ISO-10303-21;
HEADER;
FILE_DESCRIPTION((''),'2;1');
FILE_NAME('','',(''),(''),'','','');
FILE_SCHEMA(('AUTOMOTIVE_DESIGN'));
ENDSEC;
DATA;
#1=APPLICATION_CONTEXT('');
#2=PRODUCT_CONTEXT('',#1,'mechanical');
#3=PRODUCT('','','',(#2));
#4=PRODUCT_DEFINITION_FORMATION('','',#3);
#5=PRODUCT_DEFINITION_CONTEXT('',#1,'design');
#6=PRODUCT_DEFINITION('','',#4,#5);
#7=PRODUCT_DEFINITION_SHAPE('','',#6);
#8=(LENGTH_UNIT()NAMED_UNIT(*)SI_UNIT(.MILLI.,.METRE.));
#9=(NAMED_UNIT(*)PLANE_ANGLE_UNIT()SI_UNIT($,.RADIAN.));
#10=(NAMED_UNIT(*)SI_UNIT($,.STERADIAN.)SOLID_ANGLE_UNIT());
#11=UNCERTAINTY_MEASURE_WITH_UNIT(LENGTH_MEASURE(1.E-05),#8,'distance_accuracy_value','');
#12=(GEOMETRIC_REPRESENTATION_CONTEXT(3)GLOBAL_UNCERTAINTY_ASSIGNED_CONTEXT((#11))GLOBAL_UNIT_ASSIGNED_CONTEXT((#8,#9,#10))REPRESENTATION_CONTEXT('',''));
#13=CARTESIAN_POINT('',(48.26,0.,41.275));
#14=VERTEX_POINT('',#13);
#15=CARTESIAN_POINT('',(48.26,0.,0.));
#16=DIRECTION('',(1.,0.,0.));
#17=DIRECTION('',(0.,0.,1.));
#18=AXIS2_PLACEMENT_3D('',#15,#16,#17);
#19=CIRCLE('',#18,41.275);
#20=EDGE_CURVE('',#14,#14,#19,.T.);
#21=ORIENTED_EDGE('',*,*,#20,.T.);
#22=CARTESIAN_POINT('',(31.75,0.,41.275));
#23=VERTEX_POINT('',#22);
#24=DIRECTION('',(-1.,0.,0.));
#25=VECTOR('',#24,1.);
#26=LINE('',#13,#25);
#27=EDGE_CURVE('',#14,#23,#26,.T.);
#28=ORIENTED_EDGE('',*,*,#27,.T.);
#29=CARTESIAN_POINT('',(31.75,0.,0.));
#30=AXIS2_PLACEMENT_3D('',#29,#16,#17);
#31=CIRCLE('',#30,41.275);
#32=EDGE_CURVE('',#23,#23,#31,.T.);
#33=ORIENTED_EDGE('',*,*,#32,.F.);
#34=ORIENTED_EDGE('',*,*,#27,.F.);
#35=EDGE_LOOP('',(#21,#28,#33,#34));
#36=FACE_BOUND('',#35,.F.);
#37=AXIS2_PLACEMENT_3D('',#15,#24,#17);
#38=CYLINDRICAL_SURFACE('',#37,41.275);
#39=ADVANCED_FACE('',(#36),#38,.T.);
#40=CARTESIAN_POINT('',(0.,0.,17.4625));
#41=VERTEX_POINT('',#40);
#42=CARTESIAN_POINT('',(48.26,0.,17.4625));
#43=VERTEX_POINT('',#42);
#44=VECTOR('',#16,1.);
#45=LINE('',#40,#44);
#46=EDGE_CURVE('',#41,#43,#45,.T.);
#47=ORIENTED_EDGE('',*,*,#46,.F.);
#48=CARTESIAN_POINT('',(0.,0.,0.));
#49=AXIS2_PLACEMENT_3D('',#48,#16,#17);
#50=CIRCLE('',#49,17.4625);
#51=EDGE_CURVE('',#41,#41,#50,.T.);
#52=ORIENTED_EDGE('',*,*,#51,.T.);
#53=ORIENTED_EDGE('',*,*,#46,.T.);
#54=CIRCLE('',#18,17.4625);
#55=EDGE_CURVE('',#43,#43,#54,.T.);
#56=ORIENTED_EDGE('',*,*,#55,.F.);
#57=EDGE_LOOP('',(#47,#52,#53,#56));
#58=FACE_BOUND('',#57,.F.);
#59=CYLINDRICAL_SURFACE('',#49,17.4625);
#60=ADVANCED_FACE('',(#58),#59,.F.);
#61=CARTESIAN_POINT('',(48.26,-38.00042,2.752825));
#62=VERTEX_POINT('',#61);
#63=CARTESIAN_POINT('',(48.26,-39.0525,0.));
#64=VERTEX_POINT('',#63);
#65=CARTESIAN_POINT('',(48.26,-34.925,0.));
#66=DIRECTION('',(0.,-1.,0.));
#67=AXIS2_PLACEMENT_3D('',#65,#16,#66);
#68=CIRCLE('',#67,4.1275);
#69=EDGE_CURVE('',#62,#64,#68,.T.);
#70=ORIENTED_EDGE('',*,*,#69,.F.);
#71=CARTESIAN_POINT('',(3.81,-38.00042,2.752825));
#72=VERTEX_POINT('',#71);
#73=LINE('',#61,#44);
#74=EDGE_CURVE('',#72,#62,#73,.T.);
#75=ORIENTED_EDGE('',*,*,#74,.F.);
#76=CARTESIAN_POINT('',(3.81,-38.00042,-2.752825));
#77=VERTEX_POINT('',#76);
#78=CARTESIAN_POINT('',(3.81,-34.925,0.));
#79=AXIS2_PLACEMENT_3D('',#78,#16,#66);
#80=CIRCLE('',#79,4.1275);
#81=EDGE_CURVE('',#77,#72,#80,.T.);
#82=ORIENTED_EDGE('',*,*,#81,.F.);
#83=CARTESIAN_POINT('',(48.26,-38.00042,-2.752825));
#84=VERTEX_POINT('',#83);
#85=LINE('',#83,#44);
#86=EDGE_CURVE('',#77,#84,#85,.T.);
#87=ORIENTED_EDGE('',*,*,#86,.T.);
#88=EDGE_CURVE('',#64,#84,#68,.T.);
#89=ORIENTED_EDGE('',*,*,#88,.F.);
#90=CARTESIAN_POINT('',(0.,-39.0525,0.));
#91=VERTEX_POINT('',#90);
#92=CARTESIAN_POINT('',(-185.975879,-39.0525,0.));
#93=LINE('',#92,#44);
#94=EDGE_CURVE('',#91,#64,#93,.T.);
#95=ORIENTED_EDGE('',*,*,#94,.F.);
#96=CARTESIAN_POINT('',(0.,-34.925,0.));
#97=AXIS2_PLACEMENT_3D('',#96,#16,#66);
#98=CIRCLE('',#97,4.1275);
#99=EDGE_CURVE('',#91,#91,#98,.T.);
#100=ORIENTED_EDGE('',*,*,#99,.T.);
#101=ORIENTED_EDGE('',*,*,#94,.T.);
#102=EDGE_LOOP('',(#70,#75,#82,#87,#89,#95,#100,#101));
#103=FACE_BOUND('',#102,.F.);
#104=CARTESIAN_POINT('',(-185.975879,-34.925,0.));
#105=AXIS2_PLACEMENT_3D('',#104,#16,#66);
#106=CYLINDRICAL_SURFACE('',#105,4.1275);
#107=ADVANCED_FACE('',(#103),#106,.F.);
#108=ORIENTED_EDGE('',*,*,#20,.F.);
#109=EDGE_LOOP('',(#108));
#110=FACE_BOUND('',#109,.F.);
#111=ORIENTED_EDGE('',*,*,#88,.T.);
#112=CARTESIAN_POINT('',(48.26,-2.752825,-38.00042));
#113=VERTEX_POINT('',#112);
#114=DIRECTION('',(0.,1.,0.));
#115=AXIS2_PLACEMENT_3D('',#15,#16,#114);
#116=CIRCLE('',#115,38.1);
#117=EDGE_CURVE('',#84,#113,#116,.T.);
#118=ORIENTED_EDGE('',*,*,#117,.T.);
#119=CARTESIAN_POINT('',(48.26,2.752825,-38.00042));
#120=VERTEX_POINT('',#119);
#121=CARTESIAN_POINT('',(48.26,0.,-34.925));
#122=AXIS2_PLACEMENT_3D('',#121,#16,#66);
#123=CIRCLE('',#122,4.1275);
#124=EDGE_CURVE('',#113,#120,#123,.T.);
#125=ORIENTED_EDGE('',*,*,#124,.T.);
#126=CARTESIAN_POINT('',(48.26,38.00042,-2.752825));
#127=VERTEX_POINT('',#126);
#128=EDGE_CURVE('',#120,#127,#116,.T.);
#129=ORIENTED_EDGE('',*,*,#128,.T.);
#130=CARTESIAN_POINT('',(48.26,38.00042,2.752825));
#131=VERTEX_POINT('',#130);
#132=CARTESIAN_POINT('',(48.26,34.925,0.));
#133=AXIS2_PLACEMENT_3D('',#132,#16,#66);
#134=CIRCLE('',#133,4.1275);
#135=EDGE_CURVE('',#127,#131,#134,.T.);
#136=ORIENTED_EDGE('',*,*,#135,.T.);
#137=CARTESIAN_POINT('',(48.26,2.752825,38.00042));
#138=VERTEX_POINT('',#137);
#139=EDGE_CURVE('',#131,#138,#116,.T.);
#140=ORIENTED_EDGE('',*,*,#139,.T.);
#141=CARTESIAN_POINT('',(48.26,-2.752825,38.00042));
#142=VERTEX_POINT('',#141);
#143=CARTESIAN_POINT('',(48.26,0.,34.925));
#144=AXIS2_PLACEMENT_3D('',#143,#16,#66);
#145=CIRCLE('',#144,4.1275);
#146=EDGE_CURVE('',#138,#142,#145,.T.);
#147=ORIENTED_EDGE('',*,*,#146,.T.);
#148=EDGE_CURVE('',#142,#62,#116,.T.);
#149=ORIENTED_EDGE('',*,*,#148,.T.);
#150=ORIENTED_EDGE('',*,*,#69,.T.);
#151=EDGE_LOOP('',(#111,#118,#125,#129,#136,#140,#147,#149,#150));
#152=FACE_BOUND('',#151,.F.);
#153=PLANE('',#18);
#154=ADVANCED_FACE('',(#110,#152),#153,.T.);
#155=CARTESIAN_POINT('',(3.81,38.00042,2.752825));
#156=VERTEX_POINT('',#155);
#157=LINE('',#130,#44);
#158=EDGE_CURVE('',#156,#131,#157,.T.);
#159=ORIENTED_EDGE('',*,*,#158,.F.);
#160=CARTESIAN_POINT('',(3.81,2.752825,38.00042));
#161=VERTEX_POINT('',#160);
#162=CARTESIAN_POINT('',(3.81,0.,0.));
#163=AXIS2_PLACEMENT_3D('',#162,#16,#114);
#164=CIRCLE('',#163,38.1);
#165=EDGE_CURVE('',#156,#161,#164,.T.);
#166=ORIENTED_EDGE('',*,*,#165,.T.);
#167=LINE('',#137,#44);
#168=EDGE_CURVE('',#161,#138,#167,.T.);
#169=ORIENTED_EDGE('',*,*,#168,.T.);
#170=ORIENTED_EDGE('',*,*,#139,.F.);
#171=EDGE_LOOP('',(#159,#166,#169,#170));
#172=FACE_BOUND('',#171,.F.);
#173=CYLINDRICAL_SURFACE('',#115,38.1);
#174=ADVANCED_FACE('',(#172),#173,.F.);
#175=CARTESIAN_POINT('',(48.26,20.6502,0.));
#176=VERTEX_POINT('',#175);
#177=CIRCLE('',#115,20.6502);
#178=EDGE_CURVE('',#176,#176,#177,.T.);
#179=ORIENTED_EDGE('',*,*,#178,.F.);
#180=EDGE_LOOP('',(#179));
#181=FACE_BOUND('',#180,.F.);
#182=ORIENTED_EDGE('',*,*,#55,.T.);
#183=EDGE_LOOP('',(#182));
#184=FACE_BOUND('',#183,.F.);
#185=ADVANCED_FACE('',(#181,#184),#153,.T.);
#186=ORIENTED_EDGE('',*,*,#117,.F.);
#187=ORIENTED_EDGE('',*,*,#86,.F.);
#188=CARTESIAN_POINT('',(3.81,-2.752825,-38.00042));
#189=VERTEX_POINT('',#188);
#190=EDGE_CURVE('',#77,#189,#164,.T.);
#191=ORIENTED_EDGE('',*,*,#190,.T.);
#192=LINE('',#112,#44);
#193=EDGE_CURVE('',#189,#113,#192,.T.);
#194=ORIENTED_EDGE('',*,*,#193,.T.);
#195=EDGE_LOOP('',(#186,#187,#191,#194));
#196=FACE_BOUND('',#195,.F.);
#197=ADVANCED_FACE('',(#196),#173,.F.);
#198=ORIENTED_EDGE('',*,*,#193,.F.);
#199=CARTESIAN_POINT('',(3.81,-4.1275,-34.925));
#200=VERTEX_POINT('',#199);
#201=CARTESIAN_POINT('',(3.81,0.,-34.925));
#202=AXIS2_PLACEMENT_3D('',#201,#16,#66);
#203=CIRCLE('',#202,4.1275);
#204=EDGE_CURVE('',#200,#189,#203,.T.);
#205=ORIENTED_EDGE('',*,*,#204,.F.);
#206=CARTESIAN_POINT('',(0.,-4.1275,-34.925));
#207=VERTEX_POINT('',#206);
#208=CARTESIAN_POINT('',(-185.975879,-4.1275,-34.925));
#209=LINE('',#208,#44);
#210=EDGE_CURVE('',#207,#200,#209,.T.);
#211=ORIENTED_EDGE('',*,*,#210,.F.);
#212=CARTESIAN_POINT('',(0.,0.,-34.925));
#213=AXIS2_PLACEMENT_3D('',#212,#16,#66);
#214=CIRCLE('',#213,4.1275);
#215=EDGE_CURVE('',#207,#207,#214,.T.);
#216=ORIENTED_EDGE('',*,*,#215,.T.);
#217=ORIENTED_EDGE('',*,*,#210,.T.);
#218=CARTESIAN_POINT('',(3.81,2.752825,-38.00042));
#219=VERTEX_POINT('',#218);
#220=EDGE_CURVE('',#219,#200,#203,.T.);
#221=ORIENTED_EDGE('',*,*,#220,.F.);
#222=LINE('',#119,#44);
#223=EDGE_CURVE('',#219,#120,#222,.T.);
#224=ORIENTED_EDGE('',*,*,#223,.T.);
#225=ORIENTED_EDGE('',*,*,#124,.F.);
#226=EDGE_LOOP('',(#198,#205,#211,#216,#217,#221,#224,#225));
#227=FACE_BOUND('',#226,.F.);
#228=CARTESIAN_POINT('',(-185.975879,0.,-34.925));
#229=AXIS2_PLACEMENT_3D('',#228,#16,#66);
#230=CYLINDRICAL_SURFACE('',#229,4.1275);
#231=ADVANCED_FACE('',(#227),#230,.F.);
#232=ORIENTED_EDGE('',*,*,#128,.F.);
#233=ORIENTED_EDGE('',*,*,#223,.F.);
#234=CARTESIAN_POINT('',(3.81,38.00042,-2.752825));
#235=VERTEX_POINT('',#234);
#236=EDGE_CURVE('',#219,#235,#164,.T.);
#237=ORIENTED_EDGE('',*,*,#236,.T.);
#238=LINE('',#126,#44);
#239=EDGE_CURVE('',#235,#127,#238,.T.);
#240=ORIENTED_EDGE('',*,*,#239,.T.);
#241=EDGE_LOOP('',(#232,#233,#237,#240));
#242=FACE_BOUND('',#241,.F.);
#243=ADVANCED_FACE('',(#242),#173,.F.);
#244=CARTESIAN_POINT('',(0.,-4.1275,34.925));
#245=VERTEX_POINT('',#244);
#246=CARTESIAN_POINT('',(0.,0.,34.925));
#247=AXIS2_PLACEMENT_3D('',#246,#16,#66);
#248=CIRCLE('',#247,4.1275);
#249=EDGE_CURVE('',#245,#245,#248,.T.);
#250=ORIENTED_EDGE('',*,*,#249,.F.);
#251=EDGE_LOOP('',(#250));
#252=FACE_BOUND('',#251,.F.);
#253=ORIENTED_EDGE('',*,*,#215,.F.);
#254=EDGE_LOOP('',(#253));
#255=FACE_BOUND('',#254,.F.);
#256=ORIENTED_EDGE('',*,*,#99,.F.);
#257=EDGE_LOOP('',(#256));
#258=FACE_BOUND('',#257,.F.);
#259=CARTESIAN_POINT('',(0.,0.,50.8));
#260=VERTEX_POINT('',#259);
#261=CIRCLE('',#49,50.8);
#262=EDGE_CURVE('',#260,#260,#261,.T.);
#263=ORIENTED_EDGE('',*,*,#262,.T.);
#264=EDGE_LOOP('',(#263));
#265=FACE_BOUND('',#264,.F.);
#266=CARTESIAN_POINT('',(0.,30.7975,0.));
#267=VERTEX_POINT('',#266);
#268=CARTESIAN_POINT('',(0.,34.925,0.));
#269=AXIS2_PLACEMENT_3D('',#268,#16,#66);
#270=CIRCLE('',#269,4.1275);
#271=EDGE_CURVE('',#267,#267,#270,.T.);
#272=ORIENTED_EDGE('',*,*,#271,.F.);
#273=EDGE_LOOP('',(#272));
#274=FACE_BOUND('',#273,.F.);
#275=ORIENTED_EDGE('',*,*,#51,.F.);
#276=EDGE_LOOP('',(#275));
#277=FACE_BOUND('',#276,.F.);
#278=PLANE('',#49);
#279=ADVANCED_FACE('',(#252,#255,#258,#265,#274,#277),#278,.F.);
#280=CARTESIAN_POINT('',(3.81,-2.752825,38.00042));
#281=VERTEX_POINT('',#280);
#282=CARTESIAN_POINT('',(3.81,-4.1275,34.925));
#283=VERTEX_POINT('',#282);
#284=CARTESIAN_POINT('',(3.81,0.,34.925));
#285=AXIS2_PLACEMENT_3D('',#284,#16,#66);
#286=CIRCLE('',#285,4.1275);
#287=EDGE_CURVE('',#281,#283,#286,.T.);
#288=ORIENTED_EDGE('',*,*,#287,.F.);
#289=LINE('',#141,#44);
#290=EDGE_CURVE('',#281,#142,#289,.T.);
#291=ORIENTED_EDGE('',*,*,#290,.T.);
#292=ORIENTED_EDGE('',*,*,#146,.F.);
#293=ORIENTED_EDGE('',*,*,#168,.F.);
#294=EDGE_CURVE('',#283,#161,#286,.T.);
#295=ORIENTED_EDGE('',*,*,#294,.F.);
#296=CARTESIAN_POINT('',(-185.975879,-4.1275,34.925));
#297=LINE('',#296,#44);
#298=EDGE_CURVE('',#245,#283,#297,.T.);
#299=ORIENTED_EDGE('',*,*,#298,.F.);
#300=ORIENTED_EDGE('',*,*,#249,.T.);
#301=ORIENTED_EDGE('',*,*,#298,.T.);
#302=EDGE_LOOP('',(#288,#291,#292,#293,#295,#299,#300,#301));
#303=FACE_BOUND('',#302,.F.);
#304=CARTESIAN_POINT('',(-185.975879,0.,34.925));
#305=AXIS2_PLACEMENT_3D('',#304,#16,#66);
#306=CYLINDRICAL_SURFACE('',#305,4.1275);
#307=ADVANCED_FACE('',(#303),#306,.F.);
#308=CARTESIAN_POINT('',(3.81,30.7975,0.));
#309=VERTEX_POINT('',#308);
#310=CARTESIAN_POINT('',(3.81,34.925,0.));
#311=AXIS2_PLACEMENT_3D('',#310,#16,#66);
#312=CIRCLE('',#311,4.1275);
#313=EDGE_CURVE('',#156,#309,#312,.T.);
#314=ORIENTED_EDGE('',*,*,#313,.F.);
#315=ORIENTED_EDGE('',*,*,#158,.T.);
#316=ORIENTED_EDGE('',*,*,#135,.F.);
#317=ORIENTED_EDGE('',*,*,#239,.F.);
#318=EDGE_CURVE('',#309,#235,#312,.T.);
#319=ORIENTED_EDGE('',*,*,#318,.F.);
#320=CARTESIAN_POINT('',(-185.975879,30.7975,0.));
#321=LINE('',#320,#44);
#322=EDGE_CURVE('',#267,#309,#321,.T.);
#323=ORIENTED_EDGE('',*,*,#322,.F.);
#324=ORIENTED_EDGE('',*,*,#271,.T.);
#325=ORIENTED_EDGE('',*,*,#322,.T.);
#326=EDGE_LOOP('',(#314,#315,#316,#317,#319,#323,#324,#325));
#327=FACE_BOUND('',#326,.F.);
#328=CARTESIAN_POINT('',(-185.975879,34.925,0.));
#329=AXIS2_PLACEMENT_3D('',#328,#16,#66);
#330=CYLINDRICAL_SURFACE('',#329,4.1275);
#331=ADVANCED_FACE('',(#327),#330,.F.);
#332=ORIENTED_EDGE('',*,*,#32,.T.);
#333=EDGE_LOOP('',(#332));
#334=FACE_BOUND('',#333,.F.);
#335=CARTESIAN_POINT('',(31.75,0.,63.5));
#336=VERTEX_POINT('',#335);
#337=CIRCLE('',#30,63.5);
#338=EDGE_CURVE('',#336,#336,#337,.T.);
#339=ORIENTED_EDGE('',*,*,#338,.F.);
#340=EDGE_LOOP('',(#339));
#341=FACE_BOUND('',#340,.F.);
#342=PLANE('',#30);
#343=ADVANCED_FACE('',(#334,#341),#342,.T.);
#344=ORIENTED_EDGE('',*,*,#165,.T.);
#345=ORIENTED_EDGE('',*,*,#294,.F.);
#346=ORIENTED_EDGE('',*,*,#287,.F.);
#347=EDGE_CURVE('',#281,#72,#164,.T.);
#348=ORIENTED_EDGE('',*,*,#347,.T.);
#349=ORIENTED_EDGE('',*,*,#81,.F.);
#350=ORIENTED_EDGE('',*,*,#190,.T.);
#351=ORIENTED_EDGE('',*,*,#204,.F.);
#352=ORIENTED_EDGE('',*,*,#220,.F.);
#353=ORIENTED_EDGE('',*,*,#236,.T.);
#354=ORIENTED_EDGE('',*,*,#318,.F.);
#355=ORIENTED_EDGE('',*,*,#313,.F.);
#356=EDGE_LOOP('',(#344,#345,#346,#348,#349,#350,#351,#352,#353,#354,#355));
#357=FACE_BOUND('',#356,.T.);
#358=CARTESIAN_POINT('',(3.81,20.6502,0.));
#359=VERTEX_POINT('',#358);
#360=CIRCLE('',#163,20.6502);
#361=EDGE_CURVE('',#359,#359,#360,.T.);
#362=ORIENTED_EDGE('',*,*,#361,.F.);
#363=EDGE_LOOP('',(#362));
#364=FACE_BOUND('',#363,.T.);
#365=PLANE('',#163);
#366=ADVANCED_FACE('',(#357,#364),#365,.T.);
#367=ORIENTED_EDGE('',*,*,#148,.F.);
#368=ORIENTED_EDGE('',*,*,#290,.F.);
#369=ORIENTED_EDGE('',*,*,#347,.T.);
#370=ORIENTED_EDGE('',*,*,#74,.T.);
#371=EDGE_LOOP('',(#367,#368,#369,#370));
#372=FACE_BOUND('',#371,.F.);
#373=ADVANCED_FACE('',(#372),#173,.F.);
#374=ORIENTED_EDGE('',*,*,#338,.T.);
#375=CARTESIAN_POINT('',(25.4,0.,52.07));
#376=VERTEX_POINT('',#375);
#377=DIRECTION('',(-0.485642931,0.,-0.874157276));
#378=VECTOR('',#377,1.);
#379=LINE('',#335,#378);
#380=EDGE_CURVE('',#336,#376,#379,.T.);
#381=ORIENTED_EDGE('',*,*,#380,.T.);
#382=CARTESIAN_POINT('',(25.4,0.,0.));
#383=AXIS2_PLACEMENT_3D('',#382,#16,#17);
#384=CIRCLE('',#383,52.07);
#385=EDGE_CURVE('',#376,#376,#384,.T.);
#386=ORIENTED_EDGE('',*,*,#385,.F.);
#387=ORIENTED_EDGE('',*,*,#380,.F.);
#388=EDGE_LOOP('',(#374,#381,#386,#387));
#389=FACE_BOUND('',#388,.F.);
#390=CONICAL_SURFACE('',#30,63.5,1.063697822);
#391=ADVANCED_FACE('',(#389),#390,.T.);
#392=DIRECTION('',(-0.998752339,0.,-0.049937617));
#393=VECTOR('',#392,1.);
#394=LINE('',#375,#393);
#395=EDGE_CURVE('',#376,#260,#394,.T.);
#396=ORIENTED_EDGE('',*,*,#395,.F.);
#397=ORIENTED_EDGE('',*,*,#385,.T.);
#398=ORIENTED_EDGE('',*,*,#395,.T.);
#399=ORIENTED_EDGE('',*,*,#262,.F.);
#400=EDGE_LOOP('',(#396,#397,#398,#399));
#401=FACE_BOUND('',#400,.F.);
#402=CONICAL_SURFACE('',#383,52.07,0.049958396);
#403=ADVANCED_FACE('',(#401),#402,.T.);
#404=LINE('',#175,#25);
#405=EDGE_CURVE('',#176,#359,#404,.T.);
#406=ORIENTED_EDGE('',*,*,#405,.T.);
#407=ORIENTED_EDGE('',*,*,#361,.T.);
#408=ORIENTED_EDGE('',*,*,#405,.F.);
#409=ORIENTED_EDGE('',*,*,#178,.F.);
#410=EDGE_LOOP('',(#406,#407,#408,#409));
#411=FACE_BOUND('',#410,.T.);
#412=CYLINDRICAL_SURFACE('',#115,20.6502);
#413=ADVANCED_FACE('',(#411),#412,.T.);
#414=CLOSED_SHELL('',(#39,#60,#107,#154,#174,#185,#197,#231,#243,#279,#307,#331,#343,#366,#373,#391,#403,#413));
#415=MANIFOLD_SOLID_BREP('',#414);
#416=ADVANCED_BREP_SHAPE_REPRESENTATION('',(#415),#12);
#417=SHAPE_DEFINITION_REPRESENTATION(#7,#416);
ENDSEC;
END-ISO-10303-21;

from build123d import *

# Parameters (mm, degrees)
F2_R     = 38.1
F2_R_2   = 20.6502
F3_DEPTH = 44.45
F5_D     = 8.255


with BuildPart() as f1:
    # F0 (on Front) → F1 (revolve)
    with BuildSketch(Plane.XZ):
        Polygon((0, 50.8), (0, 17.4625), (48.26, 17.4625), (48.26, 41.275), (31.75, 41.275), (31.75, 63.5), (25.4, 52.07), align=None)
    revolve(axis=Axis((41.694678, 0, 0), (1, 0, 0)))

    # F2 (on face) → F3 (cut)
    with BuildSketch(Plane.YZ.offset(48.26)):
        Circle(F2_R)
        Circle(F2_R_2, mode=Mode.SUBTRACT)
    extrude(amount=-F3_DEPTH, mode=Mode.SUBTRACT)

    # F5 (through all)
    with Locations(Plane(origin=(0, 0, 0), x_dir=(0, 1, 0), z_dir=(-1, 0, 0))):
        with Locations((-34.925, 0), (0, -34.925), (34.925, 0), (0, 34.925)):
            Hole(F5_D / 2)


solid = f1.part
